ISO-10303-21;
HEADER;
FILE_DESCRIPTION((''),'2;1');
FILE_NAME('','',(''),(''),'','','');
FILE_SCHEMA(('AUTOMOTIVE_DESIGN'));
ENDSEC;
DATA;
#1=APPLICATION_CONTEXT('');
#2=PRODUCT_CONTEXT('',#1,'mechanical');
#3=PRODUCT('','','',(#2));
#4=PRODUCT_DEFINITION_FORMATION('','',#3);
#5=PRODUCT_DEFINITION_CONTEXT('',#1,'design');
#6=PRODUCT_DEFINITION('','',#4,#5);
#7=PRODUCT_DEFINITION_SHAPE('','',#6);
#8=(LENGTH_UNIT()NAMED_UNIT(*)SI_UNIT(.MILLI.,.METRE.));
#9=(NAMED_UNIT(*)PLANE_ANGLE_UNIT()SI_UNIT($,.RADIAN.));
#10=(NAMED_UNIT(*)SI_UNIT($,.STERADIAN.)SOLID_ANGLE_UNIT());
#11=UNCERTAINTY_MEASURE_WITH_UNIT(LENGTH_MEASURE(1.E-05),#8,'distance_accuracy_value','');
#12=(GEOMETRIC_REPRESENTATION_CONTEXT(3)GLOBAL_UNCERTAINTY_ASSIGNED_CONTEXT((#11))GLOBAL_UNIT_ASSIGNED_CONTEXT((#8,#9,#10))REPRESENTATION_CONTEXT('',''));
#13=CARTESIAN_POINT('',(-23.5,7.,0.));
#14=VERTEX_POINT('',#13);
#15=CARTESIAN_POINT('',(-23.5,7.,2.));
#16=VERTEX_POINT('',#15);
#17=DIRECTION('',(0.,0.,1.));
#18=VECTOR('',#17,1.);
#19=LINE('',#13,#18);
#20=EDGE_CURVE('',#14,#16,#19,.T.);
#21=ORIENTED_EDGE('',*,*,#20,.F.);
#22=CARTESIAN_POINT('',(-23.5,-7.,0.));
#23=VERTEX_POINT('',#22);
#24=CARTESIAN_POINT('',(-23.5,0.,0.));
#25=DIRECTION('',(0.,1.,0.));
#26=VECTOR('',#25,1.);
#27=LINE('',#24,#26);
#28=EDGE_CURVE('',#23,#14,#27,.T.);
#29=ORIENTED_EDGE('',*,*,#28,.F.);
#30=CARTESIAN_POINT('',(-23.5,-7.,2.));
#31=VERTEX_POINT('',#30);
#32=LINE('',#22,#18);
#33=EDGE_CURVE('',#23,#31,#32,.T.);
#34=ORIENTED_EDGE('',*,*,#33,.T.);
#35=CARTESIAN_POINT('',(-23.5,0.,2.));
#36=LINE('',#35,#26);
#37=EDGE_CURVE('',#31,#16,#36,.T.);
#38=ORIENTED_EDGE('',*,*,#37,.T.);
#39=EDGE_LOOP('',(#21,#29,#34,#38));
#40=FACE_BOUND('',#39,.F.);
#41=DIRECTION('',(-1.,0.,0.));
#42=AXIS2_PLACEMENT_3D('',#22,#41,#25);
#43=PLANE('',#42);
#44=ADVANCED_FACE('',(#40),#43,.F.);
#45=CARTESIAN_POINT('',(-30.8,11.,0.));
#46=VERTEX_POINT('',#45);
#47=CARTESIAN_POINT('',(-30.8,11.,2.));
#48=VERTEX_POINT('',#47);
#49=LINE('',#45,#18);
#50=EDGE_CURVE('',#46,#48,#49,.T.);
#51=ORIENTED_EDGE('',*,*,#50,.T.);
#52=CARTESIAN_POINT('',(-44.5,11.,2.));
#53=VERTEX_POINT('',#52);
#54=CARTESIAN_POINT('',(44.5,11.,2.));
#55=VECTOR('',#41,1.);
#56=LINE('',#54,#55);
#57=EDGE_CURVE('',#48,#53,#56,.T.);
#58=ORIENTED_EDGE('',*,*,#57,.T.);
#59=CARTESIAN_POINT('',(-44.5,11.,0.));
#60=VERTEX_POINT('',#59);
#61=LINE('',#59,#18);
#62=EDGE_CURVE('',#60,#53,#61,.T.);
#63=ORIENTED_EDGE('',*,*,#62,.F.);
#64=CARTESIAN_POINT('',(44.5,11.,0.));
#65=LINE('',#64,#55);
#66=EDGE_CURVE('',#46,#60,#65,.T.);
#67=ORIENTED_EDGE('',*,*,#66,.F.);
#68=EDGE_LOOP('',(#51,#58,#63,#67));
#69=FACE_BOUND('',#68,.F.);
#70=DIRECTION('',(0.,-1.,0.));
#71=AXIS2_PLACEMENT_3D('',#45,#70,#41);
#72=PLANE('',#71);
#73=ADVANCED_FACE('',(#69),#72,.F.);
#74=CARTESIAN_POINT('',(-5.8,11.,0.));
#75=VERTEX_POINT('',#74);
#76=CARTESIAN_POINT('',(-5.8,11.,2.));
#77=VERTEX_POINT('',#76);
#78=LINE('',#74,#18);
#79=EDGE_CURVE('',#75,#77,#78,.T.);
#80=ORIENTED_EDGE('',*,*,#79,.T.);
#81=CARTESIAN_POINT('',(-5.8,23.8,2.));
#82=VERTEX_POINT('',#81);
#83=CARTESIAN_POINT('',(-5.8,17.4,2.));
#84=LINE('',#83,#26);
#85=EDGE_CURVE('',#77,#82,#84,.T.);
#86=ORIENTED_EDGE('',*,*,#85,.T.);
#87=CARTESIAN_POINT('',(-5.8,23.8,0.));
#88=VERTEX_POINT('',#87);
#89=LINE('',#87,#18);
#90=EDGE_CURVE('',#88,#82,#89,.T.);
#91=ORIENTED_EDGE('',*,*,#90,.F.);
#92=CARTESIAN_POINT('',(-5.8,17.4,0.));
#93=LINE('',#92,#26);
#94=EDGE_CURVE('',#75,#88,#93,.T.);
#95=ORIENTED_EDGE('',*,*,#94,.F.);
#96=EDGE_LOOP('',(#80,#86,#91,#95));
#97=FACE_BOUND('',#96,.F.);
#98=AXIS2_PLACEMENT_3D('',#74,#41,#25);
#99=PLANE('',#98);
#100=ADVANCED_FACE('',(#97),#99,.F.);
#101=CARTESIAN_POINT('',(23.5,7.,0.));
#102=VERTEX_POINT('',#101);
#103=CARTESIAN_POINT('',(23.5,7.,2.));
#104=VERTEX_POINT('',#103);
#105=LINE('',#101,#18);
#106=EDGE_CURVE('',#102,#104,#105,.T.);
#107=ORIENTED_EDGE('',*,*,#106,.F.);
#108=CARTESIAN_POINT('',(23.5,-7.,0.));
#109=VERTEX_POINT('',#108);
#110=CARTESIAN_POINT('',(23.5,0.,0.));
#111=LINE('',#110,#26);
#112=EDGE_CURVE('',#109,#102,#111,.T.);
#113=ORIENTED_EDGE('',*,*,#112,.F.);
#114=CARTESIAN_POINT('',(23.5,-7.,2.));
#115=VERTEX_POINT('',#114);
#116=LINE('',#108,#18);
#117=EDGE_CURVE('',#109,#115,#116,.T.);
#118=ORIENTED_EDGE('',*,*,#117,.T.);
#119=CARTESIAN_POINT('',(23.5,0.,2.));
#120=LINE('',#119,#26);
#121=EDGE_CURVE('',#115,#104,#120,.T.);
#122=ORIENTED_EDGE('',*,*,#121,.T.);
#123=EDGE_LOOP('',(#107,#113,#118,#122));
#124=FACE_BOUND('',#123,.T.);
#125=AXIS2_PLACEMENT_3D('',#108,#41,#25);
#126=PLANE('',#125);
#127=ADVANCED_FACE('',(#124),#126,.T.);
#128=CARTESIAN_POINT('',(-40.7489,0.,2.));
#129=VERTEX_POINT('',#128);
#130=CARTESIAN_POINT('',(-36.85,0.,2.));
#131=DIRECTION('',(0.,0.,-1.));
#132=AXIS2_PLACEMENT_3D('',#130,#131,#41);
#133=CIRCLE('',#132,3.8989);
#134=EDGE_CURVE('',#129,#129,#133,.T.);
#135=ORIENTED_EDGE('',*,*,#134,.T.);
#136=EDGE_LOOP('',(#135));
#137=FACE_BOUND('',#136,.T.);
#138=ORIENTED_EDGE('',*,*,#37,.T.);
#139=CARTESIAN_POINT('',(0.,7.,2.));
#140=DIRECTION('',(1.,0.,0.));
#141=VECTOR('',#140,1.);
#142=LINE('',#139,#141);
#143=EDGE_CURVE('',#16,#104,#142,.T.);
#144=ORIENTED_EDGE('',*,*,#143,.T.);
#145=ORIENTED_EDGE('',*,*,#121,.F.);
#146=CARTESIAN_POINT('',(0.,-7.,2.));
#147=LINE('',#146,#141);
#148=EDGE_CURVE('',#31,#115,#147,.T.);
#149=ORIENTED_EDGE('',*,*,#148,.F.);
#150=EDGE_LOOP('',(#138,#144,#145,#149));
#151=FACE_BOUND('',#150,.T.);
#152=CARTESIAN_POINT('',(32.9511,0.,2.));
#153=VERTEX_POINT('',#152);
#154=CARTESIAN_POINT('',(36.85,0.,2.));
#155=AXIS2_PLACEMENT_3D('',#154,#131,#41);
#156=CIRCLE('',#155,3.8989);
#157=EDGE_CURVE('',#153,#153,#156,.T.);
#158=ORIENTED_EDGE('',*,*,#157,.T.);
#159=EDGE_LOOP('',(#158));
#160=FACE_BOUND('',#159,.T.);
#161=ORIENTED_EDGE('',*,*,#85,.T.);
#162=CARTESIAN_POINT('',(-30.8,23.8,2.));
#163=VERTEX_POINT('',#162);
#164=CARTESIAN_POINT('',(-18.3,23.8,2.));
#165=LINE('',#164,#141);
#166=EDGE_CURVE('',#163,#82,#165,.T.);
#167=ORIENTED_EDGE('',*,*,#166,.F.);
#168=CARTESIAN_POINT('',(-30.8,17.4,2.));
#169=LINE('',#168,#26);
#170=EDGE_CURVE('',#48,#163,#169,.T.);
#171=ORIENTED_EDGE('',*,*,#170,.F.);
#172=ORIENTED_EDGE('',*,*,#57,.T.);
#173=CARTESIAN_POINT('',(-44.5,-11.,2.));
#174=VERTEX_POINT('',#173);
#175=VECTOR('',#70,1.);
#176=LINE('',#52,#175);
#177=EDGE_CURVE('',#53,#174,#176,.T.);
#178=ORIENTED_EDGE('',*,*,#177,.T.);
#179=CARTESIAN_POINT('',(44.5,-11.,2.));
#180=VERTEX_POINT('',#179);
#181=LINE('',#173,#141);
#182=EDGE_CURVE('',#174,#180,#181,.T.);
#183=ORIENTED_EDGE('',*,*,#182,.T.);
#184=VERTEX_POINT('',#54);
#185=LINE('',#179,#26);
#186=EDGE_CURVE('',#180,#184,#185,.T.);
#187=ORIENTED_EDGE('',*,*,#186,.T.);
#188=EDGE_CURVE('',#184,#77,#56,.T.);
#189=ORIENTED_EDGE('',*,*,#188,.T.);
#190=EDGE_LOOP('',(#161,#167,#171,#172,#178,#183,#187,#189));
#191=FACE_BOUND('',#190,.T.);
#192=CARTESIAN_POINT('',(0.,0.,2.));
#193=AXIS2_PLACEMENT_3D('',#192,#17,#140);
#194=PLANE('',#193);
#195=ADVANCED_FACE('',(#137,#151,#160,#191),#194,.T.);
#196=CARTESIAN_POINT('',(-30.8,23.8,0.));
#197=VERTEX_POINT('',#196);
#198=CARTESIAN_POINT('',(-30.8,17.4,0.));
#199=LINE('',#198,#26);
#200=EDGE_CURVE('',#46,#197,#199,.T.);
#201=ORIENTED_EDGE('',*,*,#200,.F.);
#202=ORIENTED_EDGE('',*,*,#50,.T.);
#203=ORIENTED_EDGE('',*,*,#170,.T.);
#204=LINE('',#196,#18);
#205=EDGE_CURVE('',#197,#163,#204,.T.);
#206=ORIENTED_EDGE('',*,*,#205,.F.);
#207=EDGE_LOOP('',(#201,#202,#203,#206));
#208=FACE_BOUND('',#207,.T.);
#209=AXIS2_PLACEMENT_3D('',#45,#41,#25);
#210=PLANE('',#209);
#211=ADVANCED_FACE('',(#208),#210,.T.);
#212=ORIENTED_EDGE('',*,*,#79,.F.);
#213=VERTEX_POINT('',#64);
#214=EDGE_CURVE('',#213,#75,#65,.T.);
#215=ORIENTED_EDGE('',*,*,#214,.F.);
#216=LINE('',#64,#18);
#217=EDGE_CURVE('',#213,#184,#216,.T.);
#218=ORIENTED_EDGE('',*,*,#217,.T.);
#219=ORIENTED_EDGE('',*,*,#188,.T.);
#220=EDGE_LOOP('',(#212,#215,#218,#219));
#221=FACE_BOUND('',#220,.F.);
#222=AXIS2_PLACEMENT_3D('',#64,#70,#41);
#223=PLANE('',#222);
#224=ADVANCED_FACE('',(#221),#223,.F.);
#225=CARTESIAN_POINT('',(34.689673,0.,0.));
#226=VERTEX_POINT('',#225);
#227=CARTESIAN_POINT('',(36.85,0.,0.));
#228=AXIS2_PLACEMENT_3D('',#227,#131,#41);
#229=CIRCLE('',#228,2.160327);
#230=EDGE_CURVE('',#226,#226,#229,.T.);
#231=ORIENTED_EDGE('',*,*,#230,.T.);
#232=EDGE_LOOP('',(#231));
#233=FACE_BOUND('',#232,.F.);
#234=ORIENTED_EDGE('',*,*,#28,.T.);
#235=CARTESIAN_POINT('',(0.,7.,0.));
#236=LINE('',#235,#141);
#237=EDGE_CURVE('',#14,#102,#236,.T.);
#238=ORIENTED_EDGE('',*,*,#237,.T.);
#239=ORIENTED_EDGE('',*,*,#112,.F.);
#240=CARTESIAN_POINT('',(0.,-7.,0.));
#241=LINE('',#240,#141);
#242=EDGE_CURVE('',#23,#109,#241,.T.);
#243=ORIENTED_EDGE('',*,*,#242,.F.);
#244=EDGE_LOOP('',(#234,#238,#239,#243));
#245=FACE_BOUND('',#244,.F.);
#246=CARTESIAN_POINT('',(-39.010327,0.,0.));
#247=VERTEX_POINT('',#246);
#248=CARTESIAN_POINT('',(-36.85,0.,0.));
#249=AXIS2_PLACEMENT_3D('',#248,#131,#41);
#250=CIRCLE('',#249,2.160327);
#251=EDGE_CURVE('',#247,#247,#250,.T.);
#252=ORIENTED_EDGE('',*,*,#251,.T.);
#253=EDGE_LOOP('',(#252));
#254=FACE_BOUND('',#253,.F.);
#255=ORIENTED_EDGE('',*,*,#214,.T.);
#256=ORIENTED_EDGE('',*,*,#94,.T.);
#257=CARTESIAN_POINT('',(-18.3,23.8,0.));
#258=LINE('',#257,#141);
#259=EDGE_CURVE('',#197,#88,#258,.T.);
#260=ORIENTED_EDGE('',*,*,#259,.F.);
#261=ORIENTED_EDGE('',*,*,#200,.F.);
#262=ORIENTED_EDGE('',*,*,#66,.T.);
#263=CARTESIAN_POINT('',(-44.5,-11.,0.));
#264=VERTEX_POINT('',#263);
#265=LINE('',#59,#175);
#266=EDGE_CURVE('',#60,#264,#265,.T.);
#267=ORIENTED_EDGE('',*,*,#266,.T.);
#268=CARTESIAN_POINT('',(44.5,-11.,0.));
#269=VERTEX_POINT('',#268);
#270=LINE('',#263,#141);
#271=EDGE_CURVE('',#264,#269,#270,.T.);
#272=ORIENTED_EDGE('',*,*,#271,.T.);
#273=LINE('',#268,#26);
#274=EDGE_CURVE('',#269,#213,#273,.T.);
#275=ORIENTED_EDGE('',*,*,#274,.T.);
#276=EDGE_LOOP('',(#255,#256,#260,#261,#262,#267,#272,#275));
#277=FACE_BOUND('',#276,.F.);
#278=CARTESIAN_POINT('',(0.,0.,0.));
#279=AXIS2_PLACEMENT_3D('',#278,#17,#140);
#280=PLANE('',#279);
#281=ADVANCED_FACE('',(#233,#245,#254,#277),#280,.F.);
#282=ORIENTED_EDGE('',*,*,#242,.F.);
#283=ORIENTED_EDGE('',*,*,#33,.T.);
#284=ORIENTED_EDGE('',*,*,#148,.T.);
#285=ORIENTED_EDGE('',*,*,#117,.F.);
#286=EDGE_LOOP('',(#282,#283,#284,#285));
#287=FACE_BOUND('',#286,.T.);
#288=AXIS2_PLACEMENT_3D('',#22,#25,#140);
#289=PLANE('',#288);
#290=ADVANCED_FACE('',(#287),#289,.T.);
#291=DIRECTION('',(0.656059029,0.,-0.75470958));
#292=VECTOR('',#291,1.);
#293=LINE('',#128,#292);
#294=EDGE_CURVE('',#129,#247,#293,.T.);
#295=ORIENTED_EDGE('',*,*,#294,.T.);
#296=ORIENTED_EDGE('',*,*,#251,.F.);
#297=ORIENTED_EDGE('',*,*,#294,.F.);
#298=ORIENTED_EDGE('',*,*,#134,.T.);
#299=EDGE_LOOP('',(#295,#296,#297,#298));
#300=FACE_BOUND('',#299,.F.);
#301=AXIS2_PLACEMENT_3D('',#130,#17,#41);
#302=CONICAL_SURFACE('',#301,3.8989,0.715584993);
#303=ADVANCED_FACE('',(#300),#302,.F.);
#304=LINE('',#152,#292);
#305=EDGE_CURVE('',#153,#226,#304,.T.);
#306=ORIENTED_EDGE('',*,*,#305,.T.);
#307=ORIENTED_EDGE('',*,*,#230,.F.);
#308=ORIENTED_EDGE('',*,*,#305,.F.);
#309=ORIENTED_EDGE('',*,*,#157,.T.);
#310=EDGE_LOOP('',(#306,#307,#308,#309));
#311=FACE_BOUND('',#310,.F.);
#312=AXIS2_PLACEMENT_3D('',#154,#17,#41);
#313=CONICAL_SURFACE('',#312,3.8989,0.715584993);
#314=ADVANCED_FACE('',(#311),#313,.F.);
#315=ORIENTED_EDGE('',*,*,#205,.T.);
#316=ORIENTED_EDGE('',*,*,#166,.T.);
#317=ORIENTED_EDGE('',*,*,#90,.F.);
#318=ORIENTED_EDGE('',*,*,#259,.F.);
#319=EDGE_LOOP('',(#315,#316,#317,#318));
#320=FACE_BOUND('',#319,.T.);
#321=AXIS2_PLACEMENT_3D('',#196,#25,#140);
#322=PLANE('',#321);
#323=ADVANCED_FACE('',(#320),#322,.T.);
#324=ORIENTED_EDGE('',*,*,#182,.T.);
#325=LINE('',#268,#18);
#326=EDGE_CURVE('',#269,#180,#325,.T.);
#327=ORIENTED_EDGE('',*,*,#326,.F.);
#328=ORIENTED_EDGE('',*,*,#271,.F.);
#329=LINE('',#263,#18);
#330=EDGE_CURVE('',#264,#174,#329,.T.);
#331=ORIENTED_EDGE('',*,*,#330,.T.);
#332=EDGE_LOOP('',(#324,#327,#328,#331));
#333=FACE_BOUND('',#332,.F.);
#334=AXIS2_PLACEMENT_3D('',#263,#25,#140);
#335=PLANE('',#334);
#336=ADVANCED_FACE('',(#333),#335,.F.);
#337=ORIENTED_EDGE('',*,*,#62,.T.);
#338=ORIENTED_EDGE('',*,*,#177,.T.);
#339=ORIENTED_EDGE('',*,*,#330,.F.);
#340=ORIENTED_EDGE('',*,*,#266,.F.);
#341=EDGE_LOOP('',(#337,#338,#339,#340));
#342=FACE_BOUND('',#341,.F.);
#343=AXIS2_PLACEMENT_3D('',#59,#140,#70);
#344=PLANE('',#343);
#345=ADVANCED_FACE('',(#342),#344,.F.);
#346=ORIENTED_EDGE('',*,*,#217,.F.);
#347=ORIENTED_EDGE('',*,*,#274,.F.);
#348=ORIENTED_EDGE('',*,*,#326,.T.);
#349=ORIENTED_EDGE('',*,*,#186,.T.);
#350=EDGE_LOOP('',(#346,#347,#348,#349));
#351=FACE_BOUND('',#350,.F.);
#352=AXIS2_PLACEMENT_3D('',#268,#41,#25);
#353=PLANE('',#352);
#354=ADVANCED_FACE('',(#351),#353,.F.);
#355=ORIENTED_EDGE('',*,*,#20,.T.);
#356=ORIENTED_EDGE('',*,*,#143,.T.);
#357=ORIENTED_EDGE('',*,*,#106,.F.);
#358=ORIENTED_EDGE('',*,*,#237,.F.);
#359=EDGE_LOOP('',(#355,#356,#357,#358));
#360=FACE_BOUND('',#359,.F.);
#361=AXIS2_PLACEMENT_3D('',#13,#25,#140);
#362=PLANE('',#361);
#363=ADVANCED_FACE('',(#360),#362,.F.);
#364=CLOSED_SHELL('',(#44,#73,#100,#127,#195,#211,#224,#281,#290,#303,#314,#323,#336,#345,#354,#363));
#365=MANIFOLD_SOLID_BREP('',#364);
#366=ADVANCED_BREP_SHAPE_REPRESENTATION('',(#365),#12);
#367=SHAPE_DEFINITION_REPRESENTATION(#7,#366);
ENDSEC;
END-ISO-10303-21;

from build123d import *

# Parameters (mm, degrees)
F0_W           = 47
F0_H           = 14
F0_W_2         = 25
F0_H_2         = 12.8
F1_DEPTH       = 2
F3_D           = 3.7973
F3_CSINK_D     = 7.7978
F3_CSINK_ANGLE = 82


with BuildPart() as f1:
    # F0 (on Top) → F1 (new body)
    with BuildSketch(Plane.XY):
        Polygon((-44.5, 11), (-44.5, -11), (44.5, -11), (44.5, 11), (-5.8, 11), (-30.8, 11), align=None)
        Rectangle(F0_W, F0_H, mode=Mode.SUBTRACT)
        with Locations((-18.3, 17.4)):
            Rectangle(F0_W_2, F0_H_2)
    extrude(amount=F1_DEPTH)

    # F3 (through all)
    with Locations(Plane.XY.offset(2)):
        with Locations((-36.85, 0), (36.85, 0)):
            CounterSinkHole(F3_D / 2, F3_CSINK_D / 2, counter_sink_angle=F3_CSINK_ANGLE)


solid = f1.part
